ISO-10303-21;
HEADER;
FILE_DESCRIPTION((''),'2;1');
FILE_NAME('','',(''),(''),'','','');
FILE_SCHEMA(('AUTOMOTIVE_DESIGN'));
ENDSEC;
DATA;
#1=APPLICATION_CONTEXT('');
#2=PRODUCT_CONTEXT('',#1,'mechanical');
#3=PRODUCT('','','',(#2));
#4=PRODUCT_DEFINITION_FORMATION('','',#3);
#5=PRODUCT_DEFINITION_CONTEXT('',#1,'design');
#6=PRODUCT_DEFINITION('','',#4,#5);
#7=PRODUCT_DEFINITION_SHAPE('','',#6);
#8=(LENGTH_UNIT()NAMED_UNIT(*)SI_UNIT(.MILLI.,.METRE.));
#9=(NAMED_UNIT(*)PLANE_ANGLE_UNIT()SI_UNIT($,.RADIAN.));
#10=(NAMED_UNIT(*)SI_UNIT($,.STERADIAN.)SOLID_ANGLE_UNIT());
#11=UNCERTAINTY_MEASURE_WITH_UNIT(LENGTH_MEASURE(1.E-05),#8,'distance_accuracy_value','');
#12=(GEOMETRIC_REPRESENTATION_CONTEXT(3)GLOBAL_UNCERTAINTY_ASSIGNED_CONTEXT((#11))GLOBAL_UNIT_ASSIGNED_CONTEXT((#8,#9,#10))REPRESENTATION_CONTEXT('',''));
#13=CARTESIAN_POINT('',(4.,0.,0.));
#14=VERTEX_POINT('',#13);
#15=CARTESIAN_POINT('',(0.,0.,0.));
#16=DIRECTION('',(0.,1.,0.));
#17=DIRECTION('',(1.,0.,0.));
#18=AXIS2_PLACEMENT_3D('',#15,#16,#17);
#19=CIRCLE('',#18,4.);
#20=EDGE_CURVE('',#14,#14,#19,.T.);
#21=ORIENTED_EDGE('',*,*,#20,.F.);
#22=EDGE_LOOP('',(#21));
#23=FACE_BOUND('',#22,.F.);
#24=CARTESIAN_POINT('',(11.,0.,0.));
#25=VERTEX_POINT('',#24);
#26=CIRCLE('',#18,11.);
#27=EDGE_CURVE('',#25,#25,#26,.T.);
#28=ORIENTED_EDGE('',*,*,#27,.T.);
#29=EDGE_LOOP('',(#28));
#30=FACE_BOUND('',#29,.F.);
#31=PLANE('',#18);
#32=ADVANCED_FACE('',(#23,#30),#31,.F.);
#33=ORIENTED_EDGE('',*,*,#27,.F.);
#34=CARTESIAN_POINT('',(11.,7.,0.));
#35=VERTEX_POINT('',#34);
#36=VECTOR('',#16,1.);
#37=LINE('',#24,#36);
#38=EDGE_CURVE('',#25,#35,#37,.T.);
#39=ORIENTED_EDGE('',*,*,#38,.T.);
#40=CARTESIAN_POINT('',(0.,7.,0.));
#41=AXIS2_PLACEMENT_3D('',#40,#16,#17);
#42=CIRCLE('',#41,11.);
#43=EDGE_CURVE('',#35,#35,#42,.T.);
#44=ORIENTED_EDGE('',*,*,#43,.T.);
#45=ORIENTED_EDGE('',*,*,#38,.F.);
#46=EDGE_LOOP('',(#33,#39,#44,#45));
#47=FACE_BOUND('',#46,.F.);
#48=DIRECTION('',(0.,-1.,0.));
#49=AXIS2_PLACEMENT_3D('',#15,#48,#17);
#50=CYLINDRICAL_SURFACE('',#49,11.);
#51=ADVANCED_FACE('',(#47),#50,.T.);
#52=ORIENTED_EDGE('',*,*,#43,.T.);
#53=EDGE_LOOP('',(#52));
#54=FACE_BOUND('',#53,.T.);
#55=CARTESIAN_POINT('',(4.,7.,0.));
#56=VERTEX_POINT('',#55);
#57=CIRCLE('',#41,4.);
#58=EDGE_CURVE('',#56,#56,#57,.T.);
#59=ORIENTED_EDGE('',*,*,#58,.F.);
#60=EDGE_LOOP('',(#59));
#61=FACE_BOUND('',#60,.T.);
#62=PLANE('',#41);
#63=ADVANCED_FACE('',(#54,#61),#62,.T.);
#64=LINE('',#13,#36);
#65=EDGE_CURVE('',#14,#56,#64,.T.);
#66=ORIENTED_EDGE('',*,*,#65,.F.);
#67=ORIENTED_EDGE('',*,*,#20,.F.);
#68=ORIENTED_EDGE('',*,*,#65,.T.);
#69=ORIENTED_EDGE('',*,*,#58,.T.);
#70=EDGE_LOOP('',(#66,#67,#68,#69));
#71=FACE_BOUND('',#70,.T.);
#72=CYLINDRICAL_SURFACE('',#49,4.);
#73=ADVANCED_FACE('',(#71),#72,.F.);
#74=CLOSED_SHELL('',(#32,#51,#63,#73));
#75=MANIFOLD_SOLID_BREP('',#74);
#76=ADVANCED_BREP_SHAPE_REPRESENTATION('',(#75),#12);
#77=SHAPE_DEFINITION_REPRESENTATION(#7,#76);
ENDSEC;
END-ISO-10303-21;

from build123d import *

# Parameters (mm, degrees)
CROQUIS1_R              = 11
CROQUIS1_R_2            = 4
SALIENTE_EXTRUIR1_DEPTH = 7


with BuildPart() as part:
    # Croquis1 → Saliente-Extruir1 (new body)
    with BuildSketch(Plane(origin=(0, 0, 0), x_dir=(1, 0, 0), z_dir=(0, 1, 0))):
        Circle(CROQUIS1_R)
        Circle(CROQUIS1_R_2, mode=Mode.SUBTRACT)
    extrude(amount=SALIENTE_EXTRUIR1_DEPTH)


solid = part.part
